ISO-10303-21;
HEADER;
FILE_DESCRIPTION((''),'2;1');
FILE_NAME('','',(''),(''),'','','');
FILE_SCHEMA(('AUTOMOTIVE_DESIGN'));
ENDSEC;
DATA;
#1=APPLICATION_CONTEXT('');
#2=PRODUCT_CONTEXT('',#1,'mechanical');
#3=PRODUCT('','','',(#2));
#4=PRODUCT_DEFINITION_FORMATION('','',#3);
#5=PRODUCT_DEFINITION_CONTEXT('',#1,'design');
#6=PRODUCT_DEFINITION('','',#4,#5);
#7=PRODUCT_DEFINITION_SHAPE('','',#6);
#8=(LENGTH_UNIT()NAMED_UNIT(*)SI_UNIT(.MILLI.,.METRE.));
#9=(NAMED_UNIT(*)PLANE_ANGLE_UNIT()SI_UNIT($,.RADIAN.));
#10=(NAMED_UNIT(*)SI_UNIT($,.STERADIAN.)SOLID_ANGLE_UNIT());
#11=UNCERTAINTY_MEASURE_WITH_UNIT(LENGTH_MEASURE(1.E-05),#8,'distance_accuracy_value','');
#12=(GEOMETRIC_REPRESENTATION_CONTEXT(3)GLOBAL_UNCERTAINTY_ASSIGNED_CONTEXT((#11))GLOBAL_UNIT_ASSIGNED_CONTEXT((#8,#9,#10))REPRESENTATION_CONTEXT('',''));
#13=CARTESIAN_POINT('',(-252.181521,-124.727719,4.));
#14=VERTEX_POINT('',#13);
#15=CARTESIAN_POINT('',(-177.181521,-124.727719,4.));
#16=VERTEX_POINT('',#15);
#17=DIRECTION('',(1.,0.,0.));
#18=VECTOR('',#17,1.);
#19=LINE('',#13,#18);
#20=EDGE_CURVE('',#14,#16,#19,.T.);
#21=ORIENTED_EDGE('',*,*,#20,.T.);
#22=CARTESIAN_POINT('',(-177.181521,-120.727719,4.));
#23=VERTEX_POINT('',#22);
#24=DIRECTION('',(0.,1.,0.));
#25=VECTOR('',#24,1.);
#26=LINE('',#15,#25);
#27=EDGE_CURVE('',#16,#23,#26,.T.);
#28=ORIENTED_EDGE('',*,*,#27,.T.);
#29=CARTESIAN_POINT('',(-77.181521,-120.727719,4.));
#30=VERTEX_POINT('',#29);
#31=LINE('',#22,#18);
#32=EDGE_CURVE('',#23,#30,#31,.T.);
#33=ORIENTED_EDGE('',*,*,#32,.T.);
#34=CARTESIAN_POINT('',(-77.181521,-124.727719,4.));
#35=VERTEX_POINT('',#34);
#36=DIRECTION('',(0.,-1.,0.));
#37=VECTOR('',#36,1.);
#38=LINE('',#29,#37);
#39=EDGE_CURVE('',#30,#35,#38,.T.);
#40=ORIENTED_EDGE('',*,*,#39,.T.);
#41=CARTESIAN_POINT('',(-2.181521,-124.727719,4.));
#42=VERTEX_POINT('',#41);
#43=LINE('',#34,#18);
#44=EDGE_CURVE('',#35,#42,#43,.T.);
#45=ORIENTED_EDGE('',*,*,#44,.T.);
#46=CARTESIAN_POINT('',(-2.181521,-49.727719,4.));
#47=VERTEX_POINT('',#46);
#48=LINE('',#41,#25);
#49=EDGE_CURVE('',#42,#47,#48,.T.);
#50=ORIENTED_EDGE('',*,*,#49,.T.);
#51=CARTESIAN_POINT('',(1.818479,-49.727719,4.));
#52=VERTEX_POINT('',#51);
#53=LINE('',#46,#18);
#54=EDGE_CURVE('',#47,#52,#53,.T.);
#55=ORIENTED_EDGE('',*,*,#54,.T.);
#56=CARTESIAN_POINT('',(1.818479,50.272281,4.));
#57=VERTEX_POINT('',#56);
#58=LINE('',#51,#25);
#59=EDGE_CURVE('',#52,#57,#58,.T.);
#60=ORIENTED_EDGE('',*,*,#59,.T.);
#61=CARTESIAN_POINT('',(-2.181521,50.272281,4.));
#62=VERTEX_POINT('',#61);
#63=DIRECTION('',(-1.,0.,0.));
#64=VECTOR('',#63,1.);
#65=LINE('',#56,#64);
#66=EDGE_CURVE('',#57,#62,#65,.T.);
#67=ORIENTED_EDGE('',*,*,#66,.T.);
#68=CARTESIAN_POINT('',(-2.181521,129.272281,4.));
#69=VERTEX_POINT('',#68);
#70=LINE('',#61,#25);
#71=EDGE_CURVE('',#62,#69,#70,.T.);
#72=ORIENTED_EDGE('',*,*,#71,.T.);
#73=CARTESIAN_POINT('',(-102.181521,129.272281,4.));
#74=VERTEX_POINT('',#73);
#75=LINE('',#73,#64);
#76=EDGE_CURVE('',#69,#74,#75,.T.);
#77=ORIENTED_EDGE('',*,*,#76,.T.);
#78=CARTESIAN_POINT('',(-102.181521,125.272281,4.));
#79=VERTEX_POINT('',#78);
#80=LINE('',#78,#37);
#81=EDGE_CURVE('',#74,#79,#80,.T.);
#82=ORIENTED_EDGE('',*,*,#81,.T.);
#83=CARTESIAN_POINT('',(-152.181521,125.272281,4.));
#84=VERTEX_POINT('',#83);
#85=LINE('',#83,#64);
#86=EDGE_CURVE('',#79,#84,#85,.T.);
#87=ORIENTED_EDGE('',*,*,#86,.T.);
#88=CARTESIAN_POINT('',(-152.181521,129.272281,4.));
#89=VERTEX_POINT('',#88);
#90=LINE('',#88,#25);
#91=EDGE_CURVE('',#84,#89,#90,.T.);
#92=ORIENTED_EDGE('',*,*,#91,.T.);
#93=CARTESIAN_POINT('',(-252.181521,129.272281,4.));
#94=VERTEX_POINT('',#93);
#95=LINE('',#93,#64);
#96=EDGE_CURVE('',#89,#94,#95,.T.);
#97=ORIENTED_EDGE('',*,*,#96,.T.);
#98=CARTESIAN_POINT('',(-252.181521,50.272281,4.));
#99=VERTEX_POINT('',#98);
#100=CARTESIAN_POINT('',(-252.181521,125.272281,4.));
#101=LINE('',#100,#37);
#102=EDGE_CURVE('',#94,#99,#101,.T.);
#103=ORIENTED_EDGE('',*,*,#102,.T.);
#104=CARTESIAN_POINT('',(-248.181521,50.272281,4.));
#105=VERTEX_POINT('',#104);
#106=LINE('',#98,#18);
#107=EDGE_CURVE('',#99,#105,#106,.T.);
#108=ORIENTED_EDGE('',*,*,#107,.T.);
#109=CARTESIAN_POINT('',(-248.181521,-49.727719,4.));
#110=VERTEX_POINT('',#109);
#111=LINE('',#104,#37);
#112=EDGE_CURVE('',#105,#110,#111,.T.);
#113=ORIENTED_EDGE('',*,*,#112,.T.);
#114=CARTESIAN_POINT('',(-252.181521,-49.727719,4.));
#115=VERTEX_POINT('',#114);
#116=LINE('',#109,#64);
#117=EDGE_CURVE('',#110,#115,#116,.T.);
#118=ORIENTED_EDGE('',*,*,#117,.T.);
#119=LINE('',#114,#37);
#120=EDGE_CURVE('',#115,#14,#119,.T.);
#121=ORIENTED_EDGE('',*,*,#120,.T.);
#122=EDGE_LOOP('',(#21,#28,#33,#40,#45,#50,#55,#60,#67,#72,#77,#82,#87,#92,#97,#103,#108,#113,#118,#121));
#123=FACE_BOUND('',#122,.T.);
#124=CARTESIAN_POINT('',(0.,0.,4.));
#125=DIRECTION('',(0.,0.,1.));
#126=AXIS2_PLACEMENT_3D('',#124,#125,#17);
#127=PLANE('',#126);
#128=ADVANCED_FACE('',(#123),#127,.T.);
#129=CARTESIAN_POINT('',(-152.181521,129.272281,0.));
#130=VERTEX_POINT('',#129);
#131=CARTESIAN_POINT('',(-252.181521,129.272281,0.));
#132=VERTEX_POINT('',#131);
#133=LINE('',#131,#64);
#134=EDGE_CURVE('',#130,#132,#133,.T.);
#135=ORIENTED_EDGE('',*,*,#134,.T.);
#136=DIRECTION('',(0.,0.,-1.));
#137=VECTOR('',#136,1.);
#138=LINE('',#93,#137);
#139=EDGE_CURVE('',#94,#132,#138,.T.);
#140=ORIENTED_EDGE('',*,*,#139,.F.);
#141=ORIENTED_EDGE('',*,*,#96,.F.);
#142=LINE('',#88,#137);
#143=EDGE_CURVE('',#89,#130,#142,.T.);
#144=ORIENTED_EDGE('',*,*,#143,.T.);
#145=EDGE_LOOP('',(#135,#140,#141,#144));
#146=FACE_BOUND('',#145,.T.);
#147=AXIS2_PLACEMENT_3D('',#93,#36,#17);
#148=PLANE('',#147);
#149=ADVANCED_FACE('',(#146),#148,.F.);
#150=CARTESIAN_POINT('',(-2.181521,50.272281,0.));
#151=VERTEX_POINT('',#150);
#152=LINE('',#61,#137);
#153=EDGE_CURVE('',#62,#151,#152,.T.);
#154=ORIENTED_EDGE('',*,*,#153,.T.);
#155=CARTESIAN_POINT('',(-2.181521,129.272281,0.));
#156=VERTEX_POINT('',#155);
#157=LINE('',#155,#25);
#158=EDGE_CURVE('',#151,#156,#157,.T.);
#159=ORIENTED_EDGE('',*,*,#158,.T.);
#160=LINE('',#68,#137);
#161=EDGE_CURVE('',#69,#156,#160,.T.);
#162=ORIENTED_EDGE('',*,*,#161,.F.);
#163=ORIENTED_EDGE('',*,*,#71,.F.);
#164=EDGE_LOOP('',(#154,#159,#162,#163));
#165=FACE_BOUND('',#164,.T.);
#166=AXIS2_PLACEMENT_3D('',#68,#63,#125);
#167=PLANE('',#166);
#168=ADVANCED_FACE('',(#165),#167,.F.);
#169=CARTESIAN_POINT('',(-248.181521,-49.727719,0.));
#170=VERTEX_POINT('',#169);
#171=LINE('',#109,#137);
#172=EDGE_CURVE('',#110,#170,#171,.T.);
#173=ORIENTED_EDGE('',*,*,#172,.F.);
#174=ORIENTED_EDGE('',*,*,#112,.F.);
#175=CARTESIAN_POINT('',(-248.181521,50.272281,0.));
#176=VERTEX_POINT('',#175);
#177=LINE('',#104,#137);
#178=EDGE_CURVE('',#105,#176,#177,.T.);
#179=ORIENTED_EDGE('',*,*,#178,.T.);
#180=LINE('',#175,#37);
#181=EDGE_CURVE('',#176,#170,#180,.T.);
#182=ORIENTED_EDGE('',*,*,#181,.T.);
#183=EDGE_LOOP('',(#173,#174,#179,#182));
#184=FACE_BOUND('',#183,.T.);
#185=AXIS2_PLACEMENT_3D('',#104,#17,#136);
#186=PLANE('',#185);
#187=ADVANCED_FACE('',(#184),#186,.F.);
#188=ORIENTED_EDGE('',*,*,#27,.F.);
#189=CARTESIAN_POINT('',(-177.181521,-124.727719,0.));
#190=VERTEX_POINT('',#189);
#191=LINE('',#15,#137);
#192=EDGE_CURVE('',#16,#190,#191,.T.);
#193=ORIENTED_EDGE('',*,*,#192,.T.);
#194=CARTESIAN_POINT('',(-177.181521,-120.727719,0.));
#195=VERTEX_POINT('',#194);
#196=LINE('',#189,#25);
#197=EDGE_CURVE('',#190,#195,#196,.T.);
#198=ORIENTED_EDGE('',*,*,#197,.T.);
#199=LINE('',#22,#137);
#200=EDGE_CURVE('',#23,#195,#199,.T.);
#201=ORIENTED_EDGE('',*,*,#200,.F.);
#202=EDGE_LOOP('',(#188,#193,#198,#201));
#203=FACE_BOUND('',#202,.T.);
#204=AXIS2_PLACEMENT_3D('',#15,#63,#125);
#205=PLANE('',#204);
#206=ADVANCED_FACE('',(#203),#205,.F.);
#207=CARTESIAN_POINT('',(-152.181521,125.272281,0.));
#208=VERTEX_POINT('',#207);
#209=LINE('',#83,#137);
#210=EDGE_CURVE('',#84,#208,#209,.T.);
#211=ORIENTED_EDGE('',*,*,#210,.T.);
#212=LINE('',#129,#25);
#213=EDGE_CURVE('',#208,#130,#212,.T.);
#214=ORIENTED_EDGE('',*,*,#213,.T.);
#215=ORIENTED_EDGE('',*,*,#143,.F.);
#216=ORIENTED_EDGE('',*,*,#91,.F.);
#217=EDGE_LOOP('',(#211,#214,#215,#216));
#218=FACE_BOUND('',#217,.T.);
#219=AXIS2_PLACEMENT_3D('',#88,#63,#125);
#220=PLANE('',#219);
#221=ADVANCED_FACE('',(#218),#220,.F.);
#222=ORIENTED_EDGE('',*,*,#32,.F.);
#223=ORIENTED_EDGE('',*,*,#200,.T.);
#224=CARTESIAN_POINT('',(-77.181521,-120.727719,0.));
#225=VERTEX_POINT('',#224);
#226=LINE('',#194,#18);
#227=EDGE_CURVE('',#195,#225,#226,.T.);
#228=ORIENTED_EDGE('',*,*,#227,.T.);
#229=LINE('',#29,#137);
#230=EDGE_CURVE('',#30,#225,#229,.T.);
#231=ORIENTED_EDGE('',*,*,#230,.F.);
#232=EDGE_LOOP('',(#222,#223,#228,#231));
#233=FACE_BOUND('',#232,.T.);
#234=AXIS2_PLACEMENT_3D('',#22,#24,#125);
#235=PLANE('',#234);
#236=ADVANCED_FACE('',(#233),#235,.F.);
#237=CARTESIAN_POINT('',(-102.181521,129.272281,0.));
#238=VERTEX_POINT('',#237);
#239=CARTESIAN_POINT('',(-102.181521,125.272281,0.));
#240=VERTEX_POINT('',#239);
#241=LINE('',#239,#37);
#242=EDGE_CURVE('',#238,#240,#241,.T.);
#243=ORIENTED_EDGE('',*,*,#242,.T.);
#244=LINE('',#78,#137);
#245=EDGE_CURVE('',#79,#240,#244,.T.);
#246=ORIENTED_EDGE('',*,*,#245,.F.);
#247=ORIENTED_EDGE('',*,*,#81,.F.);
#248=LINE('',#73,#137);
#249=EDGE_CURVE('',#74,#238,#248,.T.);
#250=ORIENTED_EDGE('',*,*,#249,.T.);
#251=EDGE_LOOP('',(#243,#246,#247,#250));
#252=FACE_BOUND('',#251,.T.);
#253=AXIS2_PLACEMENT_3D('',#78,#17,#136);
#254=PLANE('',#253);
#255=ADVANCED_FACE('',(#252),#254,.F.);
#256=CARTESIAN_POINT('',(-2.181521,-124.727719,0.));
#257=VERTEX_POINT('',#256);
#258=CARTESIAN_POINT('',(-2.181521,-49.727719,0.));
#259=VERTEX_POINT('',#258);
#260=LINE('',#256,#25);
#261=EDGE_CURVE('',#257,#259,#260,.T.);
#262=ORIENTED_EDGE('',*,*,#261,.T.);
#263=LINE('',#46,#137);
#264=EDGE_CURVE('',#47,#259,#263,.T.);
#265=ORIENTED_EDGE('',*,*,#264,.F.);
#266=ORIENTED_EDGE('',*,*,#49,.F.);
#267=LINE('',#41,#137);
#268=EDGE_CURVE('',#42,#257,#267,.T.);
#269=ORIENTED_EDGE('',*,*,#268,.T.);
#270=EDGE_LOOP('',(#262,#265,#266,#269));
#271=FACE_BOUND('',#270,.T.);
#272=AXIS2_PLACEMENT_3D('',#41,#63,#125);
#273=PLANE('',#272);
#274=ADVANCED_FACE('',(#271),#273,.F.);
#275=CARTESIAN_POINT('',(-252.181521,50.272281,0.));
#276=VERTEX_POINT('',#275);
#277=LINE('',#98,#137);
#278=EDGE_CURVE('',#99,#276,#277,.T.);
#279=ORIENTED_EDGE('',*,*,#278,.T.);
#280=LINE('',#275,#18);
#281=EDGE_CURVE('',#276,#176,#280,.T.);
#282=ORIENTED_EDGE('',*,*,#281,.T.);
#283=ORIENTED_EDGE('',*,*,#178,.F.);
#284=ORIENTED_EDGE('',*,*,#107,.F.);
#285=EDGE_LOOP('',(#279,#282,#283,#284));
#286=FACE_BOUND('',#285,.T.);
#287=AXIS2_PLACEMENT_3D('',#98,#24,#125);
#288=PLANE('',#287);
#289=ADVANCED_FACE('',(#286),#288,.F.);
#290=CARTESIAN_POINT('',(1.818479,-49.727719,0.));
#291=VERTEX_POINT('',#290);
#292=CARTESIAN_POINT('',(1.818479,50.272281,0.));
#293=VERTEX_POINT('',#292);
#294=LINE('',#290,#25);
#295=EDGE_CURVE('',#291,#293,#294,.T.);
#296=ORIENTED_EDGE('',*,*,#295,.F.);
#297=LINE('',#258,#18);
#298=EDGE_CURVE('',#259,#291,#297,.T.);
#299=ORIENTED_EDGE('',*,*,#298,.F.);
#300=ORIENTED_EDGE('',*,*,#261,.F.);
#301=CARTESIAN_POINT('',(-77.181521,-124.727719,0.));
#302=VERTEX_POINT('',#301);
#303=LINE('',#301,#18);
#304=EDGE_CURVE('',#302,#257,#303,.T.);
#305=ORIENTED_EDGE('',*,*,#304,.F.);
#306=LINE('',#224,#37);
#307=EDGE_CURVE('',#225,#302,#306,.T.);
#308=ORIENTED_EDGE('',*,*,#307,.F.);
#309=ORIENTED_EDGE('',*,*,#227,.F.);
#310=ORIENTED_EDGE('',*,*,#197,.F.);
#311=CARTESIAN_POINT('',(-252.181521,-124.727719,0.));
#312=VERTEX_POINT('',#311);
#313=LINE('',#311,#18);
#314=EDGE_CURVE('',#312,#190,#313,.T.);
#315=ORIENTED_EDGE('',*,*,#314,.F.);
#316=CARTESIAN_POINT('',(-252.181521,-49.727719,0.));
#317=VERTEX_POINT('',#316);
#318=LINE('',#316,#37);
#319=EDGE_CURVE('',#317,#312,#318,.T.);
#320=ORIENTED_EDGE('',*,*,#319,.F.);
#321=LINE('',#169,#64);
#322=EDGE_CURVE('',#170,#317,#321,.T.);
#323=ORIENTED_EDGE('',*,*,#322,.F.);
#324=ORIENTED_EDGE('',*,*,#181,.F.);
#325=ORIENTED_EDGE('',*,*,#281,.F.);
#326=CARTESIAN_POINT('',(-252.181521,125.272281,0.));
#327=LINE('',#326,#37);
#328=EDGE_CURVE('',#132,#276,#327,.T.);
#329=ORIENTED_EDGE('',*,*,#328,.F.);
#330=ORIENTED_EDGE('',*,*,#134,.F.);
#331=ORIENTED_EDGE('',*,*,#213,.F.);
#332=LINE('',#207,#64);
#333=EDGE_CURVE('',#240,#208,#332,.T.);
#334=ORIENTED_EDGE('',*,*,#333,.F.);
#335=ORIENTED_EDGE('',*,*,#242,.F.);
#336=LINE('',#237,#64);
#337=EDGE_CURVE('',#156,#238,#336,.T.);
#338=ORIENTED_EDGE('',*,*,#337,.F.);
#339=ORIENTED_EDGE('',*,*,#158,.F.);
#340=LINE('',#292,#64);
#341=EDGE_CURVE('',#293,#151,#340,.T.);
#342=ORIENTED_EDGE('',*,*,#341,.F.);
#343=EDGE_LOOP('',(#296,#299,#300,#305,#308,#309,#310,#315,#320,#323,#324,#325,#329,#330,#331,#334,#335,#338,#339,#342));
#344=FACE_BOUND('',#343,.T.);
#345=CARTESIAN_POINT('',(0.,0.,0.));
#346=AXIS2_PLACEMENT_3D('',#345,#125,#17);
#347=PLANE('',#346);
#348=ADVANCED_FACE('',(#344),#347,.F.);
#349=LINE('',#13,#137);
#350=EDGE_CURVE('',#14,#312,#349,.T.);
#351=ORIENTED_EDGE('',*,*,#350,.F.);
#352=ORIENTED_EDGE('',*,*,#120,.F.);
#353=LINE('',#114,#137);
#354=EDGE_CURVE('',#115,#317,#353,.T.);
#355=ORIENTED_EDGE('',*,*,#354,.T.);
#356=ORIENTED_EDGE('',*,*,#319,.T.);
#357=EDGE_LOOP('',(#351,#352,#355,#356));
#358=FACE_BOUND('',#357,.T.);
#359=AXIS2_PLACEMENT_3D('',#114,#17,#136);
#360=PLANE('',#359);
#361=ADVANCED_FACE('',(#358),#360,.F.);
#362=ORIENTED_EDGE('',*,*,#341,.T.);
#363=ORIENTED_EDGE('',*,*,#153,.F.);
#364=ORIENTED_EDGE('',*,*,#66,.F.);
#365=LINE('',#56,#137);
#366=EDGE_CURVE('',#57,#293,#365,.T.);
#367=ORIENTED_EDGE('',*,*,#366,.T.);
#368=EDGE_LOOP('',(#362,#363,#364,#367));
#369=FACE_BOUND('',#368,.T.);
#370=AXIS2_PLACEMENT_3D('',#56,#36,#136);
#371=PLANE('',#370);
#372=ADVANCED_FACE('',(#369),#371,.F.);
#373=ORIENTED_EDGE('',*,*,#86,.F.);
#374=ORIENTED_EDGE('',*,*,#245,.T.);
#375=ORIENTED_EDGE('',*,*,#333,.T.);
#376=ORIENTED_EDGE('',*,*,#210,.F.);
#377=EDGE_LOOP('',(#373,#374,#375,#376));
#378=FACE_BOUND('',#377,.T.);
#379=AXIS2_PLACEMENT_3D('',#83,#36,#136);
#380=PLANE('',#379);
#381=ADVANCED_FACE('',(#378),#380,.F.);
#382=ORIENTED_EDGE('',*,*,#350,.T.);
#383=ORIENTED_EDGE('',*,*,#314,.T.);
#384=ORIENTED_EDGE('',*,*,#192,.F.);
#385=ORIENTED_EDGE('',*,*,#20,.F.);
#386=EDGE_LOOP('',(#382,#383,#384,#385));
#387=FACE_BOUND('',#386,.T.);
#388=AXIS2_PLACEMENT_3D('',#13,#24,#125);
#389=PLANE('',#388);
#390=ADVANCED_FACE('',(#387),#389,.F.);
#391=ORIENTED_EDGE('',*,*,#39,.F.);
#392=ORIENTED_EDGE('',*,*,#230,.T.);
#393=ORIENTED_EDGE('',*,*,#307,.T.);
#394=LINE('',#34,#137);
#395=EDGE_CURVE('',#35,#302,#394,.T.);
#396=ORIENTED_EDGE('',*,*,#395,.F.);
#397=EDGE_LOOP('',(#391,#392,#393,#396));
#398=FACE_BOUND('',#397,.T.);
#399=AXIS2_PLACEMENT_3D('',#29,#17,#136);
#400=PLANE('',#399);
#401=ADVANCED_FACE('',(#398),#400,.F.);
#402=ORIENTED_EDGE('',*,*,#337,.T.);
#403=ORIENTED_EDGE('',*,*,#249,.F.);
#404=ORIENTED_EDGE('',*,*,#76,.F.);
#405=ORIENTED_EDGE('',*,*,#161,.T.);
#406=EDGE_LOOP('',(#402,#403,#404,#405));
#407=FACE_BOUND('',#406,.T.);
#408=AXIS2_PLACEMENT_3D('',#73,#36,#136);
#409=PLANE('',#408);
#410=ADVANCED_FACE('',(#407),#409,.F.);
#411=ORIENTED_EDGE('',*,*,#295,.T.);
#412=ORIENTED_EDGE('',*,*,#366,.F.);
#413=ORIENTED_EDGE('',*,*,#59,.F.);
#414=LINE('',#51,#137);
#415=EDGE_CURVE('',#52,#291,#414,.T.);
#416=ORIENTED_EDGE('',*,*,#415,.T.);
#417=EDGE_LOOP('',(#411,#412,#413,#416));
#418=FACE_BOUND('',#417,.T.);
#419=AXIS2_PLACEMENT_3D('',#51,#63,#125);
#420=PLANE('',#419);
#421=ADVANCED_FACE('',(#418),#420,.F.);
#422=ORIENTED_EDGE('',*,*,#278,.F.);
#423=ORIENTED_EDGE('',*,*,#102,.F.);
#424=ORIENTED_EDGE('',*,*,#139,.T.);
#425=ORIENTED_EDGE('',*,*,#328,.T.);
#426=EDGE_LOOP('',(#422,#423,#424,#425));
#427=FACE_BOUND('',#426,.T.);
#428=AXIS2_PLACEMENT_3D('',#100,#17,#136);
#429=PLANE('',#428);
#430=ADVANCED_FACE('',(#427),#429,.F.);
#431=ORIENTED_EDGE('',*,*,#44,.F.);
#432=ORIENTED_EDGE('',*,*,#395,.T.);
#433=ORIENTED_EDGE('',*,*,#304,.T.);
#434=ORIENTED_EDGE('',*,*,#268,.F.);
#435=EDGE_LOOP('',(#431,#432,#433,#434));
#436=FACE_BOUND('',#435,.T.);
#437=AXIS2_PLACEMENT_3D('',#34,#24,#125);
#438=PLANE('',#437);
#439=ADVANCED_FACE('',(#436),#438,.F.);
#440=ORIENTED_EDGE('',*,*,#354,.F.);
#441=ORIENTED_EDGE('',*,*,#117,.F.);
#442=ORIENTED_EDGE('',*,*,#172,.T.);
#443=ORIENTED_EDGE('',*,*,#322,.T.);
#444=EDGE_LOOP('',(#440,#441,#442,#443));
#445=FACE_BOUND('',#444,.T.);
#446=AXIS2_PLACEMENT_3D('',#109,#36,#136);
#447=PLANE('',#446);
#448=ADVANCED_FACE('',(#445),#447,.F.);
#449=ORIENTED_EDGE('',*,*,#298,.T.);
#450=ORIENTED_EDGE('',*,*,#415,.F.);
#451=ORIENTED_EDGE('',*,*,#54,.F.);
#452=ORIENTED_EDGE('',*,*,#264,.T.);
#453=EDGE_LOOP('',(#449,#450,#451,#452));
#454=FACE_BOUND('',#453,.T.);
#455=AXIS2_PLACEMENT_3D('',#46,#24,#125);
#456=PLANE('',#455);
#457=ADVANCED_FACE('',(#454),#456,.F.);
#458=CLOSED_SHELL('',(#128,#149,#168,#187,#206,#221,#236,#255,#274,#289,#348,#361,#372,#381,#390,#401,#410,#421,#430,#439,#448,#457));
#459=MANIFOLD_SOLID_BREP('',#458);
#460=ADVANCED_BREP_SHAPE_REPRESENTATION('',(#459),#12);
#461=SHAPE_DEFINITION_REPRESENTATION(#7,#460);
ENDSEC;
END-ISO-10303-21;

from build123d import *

# Parameters (mm, degrees)
BOSS_EXTRUDE1_DEPTH = 4


with BuildPart() as part:
    # Sketch1 → Boss-Extrude1 (new body)
    with BuildSketch(Plane.XY):
        Polygon((-2.181520688, -124.727718968), (-2.181520688, -49.727718968), (1.818479312, -49.727718968), (1.818479312, 50.272281032), (-2.181520688, 50.272281032), (-2.181520688, 125.272281032), (-2.181520688, 129.272281032), (-102.181520688, 129.272281032), (-102.181520688, 125.272281032), (-152.181520688, 125.272281032), (-152.181520688, 129.272281032), (-252.181520688, 129.272281032), (-252.181520688, 125.272281032), (-252.181520688, 50.272281032), (-248.181520688, 50.272281032), (-248.181520688, -49.727718968), (-252.181520688, -49.727718968), (-252.181520688, -124.727718968), (-177.181520688, -124.727718968), (-177.181520688, -120.727718968), (-77.181520688, -120.727718968), (-77.181520688, -124.727718968), align=None)
    extrude(amount=BOSS_EXTRUDE1_DEPTH)


solid = part.part
